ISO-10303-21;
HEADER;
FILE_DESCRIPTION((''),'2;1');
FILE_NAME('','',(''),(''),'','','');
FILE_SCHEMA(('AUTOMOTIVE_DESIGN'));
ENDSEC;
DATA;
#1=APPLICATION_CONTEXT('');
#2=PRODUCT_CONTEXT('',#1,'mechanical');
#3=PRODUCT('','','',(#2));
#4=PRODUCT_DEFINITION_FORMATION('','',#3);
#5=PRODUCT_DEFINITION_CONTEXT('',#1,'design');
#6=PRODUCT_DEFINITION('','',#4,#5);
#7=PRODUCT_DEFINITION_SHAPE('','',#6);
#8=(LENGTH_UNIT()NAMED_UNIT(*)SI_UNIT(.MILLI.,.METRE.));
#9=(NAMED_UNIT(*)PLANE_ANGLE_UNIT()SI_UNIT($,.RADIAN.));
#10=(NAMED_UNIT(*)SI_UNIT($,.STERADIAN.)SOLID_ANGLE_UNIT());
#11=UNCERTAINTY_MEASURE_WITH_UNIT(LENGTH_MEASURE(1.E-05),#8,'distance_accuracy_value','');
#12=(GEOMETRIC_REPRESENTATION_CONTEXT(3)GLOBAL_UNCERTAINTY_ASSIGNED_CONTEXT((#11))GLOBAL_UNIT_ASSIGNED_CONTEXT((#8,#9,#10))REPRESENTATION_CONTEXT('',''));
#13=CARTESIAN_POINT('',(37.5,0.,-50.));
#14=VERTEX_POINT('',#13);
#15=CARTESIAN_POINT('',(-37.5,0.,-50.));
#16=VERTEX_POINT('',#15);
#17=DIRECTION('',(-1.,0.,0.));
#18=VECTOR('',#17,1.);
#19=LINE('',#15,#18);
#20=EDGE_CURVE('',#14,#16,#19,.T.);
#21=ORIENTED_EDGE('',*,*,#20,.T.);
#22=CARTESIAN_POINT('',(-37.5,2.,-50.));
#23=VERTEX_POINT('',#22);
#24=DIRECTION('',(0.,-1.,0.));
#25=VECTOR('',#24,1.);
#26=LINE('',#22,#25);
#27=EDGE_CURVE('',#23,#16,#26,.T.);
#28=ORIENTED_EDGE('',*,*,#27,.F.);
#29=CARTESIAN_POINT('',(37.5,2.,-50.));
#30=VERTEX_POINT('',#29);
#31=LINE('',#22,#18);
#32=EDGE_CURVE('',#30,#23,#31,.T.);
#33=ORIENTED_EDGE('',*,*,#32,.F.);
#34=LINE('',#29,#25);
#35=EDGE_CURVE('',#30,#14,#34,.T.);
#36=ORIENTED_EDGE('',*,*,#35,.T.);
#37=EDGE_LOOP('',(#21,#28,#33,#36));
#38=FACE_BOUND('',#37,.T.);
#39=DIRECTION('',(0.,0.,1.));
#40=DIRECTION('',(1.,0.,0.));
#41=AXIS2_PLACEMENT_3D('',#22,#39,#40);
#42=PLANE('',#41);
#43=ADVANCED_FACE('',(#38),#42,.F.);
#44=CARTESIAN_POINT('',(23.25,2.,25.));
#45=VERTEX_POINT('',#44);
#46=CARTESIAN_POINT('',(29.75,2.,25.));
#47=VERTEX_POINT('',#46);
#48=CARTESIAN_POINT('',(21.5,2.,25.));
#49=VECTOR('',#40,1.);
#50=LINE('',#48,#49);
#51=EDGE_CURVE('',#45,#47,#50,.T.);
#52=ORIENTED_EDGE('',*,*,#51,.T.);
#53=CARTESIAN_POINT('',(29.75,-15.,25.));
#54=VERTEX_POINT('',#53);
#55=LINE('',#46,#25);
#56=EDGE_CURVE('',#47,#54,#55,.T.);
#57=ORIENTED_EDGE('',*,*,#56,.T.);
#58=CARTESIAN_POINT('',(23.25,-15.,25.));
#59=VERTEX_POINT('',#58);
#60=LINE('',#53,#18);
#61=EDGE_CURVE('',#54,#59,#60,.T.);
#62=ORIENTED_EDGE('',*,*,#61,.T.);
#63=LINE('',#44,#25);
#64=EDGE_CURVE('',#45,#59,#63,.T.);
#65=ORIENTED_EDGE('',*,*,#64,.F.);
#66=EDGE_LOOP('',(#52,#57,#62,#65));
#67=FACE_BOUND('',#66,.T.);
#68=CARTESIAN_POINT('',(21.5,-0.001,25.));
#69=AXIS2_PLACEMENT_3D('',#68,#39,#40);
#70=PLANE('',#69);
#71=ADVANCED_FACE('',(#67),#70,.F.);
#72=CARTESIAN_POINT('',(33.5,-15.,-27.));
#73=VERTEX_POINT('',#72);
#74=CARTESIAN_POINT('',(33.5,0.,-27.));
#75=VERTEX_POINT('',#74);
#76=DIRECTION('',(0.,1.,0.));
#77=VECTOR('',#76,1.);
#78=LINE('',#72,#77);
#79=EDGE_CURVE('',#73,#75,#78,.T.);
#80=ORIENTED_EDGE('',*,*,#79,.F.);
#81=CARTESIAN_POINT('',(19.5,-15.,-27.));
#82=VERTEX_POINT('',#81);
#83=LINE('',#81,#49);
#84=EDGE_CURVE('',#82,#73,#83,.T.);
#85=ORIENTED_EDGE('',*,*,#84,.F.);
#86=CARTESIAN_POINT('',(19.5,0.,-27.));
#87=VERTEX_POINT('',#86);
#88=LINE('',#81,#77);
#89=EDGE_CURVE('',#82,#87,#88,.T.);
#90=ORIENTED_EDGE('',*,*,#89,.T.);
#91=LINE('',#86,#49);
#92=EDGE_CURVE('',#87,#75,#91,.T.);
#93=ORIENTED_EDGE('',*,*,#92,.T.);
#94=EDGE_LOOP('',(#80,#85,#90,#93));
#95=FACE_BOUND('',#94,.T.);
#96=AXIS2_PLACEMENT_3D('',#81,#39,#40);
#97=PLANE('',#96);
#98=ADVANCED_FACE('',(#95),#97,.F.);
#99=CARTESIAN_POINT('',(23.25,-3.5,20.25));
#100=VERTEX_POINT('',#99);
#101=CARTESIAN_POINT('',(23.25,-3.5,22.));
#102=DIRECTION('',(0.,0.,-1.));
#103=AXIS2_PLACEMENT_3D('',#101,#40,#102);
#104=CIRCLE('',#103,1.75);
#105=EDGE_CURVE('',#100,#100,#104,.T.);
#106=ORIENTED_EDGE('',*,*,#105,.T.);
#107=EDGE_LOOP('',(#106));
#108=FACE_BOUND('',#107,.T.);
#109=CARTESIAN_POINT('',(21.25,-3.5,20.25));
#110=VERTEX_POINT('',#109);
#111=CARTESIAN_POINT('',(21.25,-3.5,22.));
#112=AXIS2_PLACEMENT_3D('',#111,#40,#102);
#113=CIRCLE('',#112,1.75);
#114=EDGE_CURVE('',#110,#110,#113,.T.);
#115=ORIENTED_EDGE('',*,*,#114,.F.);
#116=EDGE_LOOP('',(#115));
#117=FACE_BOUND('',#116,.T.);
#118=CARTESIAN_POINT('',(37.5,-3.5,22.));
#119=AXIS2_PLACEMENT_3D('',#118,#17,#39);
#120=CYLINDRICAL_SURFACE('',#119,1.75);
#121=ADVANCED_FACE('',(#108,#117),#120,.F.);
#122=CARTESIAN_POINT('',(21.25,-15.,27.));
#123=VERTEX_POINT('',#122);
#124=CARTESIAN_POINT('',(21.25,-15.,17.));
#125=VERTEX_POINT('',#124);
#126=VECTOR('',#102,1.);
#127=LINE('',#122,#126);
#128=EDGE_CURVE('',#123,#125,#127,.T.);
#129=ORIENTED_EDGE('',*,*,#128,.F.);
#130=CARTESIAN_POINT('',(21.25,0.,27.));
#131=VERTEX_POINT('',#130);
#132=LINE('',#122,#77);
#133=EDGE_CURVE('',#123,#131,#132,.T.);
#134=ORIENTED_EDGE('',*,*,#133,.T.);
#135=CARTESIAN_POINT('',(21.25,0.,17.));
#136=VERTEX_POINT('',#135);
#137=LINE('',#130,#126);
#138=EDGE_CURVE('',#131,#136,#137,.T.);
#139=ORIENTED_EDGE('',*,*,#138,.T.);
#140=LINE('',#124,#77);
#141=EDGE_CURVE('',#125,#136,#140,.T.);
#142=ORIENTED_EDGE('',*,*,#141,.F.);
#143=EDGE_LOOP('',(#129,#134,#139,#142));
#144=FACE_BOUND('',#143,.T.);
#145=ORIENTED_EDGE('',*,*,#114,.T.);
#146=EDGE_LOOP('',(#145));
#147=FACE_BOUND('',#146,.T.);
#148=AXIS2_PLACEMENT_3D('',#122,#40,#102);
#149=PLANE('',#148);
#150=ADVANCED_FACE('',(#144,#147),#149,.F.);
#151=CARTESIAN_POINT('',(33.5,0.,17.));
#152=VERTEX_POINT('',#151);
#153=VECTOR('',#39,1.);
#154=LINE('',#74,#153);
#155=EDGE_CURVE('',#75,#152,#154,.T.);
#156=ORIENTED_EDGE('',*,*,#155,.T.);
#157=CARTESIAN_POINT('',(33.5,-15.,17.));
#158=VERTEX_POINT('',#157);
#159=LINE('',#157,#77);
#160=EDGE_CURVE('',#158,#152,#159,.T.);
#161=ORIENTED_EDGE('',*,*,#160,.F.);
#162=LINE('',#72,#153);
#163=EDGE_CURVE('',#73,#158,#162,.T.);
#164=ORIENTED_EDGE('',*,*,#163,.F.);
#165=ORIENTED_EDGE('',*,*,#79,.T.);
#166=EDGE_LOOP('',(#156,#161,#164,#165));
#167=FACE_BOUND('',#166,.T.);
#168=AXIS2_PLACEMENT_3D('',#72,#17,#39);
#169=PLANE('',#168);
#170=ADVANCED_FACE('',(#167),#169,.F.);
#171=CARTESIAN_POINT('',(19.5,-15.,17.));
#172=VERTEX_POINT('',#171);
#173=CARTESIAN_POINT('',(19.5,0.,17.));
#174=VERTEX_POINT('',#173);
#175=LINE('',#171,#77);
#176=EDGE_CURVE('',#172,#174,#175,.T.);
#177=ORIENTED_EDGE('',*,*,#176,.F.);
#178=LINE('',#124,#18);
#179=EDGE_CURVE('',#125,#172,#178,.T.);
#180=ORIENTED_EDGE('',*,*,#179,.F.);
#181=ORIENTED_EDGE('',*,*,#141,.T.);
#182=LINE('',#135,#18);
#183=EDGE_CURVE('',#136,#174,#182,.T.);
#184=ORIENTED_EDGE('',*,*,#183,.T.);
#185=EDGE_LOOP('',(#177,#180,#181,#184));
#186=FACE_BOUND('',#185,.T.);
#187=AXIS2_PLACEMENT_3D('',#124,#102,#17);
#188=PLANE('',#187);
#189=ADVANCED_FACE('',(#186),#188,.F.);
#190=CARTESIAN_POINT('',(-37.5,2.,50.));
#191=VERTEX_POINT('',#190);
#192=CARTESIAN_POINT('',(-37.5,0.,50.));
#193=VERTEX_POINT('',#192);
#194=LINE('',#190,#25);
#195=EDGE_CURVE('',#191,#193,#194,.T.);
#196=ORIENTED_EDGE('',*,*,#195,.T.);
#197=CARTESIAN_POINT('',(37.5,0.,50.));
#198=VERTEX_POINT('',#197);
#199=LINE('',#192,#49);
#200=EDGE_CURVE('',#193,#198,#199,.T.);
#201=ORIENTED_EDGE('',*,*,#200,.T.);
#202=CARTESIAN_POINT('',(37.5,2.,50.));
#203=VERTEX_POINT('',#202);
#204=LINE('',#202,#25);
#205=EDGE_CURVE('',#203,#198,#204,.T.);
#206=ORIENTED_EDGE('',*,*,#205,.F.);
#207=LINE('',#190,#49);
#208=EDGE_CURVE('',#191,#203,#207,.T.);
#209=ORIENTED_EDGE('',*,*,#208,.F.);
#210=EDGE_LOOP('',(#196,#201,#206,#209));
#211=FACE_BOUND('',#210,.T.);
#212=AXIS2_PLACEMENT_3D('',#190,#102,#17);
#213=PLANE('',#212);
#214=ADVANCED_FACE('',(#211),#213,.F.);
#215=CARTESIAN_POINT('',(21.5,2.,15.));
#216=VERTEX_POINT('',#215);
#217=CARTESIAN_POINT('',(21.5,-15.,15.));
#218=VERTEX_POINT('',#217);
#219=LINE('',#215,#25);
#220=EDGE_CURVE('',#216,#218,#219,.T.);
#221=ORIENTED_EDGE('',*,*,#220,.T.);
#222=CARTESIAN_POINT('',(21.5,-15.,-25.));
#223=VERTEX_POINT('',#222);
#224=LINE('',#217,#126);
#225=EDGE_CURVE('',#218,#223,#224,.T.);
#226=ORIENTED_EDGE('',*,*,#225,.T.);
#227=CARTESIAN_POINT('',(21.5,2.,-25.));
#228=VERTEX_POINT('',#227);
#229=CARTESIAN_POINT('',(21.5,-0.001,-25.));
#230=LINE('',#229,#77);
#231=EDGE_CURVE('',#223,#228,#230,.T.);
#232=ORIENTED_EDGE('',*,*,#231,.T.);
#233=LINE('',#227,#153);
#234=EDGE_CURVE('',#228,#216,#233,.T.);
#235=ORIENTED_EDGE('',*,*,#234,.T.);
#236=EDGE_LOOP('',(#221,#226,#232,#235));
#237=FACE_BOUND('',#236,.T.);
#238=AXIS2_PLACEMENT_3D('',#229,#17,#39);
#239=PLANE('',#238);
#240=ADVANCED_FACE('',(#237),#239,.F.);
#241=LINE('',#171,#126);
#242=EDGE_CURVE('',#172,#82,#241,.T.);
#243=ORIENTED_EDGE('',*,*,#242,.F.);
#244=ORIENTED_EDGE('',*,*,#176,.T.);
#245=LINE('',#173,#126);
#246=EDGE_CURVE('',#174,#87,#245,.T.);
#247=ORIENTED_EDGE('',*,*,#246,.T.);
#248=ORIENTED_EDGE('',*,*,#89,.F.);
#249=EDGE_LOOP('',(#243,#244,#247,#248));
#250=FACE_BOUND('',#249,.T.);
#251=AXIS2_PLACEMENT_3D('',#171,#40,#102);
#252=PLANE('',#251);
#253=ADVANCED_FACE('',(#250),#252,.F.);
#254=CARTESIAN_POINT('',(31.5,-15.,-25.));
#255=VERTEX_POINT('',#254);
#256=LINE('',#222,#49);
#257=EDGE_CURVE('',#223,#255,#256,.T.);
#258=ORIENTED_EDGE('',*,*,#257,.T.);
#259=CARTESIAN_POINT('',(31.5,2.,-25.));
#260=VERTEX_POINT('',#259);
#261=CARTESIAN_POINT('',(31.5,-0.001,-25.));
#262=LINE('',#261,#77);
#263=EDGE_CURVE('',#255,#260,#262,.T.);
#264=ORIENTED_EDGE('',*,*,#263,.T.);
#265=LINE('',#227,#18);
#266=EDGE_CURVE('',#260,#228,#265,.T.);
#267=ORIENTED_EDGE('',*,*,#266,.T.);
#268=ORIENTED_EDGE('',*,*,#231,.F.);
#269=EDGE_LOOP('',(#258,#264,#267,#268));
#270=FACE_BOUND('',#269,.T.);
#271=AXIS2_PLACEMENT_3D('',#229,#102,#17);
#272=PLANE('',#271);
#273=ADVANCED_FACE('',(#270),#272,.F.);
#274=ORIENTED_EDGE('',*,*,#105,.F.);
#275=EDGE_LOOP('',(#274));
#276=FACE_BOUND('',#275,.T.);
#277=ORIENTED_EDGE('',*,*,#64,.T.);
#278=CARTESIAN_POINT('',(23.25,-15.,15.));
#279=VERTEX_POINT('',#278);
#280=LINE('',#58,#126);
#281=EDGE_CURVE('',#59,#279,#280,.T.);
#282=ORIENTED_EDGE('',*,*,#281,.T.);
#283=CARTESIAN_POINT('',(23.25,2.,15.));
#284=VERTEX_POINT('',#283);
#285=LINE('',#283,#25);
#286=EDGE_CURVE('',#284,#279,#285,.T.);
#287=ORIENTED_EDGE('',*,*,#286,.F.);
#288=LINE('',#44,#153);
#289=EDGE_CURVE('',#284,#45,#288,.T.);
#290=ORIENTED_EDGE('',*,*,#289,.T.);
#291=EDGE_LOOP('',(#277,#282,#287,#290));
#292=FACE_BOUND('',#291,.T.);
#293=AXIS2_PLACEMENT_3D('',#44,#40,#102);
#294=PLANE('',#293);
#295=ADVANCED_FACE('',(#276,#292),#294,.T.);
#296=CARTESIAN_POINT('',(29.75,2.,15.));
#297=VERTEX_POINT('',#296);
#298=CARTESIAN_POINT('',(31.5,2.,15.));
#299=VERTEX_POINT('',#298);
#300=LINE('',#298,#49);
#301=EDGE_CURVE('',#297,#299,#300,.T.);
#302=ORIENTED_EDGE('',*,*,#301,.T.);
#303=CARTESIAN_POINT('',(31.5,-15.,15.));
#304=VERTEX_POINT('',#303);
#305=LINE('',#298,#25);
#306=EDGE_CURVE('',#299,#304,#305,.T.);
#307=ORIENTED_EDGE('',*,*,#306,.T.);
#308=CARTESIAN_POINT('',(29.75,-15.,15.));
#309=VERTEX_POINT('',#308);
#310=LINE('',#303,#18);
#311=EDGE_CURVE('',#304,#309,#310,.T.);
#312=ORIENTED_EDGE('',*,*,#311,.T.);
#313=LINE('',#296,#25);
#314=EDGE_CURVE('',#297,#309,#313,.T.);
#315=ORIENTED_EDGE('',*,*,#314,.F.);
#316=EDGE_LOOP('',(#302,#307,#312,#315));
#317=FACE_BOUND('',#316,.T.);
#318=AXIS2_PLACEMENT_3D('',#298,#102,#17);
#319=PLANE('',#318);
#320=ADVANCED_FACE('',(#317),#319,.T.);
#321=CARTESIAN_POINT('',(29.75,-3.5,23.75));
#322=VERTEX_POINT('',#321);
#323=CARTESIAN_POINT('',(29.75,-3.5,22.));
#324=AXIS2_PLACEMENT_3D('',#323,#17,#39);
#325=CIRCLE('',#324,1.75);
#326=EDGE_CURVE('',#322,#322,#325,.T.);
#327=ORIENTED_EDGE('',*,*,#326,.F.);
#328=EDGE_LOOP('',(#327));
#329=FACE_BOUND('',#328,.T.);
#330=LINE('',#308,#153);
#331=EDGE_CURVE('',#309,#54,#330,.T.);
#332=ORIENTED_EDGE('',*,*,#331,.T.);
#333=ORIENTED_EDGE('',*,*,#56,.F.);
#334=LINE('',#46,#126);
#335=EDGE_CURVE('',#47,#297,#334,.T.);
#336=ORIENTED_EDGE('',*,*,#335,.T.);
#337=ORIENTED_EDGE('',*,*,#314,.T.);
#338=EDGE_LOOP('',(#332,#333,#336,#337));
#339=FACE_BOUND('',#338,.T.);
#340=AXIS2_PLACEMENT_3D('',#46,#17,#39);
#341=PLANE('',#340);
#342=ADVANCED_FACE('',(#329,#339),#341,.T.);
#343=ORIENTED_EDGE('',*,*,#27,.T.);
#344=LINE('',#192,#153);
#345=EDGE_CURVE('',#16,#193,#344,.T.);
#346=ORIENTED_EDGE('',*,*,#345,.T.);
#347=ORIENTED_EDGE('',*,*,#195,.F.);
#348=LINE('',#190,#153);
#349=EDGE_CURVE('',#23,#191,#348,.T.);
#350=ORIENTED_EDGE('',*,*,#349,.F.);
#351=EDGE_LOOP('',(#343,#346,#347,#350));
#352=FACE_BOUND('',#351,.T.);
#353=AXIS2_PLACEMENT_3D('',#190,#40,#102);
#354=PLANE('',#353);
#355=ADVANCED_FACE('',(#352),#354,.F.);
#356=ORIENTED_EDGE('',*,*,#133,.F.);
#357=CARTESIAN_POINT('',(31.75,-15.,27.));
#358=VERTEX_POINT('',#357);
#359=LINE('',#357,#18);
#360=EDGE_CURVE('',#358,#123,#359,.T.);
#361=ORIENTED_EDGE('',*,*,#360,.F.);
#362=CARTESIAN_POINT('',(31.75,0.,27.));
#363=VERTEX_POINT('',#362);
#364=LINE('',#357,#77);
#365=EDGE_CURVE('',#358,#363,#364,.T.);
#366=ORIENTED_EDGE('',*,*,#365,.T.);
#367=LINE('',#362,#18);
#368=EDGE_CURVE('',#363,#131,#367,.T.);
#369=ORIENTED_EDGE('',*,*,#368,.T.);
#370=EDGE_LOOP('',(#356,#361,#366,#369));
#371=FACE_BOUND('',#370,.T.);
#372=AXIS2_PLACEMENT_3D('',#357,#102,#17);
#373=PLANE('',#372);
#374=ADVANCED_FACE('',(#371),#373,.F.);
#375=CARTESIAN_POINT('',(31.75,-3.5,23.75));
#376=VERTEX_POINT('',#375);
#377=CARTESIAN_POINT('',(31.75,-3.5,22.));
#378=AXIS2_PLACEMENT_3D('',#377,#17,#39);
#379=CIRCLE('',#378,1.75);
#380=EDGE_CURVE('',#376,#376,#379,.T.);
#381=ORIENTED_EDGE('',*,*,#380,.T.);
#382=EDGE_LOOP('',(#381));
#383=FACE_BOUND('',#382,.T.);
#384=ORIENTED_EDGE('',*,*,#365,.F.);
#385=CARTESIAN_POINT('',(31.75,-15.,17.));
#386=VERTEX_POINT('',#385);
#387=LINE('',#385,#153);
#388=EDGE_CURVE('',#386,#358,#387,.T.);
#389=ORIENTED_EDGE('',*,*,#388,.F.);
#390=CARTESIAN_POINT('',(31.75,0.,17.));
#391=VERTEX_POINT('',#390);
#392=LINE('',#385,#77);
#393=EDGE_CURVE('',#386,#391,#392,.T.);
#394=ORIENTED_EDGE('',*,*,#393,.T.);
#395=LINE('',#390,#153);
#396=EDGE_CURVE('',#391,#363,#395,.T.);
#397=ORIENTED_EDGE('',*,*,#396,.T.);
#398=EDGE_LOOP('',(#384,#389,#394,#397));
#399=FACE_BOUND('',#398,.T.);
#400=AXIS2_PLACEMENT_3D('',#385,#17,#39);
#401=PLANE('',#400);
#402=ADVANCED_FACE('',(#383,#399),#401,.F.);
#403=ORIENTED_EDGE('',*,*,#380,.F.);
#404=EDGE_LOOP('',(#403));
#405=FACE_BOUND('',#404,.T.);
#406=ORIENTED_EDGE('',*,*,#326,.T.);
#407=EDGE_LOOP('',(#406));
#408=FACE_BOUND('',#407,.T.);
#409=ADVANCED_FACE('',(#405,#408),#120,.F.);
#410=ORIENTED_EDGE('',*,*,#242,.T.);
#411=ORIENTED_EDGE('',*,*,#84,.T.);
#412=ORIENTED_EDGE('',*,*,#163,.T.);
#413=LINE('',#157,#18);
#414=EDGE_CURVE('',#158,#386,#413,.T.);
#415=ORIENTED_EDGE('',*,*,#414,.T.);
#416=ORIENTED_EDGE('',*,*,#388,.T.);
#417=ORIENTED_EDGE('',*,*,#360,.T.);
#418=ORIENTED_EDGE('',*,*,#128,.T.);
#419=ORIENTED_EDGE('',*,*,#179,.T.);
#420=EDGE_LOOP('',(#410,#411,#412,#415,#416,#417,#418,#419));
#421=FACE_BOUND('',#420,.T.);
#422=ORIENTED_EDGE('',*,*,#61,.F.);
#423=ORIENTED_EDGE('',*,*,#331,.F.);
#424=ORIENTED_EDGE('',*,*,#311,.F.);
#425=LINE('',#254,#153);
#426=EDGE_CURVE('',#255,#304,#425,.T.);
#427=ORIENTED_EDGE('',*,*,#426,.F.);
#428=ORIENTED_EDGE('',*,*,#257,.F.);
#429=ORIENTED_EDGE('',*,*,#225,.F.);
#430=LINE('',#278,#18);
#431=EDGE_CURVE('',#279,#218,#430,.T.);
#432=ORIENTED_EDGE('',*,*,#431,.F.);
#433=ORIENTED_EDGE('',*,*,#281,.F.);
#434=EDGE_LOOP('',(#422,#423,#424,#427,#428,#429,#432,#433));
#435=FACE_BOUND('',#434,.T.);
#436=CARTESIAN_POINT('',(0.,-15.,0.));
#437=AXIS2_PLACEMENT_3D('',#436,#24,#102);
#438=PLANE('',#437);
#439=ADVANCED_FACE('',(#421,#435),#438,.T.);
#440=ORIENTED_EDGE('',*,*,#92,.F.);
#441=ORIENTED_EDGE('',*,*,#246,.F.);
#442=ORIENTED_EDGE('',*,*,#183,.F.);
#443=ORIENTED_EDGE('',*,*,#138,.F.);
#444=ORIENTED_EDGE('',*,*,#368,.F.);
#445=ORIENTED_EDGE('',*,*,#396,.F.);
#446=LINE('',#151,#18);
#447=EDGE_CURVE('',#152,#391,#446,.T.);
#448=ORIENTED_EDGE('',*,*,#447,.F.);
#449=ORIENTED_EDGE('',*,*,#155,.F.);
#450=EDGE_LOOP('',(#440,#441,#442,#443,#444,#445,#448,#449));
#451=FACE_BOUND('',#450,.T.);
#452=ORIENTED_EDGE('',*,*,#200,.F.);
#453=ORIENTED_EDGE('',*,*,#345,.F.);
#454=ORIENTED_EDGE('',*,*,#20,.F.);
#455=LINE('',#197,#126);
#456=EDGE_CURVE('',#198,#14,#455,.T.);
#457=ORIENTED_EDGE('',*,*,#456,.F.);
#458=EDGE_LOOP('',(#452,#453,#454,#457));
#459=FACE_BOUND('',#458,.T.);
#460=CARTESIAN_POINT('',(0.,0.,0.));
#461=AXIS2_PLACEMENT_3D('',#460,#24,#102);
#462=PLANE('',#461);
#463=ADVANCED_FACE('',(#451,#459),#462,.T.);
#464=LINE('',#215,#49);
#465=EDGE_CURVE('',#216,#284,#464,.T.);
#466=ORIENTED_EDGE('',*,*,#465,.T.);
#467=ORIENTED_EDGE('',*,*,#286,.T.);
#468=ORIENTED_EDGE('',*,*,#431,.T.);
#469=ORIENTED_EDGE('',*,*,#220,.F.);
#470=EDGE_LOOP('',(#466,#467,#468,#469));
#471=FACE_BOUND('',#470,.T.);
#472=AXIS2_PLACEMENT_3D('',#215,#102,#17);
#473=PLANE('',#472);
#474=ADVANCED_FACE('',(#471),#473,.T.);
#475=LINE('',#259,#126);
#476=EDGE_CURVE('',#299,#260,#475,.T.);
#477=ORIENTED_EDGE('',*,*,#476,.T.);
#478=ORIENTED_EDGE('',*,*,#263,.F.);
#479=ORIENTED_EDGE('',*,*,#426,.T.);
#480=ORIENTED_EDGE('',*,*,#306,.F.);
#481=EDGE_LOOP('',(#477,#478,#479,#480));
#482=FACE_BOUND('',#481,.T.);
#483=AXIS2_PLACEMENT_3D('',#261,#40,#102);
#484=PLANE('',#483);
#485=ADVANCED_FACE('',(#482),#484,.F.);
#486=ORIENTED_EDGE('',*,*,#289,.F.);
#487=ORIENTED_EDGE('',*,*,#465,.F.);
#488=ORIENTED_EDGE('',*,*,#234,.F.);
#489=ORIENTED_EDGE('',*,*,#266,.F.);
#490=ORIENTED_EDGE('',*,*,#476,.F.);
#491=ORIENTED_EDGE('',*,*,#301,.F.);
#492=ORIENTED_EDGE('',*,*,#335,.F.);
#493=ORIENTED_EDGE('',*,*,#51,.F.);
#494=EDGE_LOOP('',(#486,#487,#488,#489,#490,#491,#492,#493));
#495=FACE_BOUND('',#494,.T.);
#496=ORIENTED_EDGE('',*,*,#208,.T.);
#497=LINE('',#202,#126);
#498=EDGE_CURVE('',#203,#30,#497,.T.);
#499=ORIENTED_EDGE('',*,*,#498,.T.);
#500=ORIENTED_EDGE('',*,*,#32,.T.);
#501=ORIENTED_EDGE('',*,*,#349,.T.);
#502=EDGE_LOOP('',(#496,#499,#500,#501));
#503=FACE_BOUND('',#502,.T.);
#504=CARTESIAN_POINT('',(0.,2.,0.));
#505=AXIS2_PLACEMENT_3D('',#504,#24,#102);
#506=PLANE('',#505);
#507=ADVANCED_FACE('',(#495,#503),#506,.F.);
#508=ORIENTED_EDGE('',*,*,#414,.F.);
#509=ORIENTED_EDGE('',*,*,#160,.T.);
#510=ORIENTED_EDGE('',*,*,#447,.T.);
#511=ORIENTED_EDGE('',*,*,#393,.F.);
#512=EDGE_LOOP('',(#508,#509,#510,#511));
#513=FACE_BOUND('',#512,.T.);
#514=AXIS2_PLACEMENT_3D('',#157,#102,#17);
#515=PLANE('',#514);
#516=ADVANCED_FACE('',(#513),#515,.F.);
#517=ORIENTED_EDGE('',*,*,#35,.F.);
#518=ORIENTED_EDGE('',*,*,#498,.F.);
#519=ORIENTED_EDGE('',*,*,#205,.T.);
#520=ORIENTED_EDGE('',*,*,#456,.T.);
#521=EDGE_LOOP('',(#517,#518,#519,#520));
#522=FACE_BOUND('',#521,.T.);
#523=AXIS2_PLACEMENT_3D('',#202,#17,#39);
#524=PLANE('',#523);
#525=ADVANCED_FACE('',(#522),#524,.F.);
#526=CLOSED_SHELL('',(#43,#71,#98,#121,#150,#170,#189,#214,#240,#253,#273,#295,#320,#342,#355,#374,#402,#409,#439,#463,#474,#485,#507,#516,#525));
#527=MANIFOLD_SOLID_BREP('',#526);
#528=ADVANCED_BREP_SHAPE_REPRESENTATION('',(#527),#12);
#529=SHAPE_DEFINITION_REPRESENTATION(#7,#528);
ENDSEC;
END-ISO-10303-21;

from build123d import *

# Parameters (mm, degrees)
SKETCH1_W               = 75
SKETCH1_H               = 100
BOSS_EXTRUDE1_DEPTH     = 2
CUT_EXTRUDE1_REACH      = 4
SKETCH2_W               = 10
SKETCH2_H               = 50
SKETCH3_W               = 1.75
SKETCH3_H               = 10
BOSS_EXTRUDE2_DEPTH     = 2
BOSS_EXTRUDE3_DEPTH     = 15
SKETCH5_R               = 1.75
CUT_EXTRUDE2_DEPTH      = 65
CUT_EXTRUDE2_DEPTH_BACK = 12


with BuildPart() as part:
    # Sketch1 → Boss-Extrude1 (new body)
    with BuildSketch(Plane(origin=(0, 0, 0), x_dir=(1, 0, 0), z_dir=(0, 1, 0))):
        Rectangle(SKETCH1_W, SKETCH1_H)
    extrude(amount=BOSS_EXTRUDE1_DEPTH)

    # Sketch2 → Cut-Extrude1 (cut, up to next)
    with BuildSketch(Plane(origin=(0, 2, 0), x_dir=(1, 0, 0), z_dir=(0, 1, 0)), mode=Mode.PRIVATE) as cut_extrude1_sk1:
        with Locations((26.5, 0)):
            Rectangle(SKETCH2_W, SKETCH2_H)
    cut_extrude1_tool1 = extrude(cut_extrude1_sk1.sketch, amount=-CUT_EXTRUDE1_REACH, mode=Mode.PRIVATE) & part.part
    add(cut_extrude1_tool1.solids().sort_by_distance((26.5, 2, 0))[0], mode=Mode.SUBTRACT)

    # Sketch3 → Boss-Extrude2 (add)
    with BuildSketch(Plane.XZ):
        with Locations((22.375, 20)):
            Rectangle(SKETCH3_W, SKETCH3_H)
        with Locations((30.625, 20)):
            Rectangle(SKETCH3_W, SKETCH3_H)
    extrude(amount=-BOSS_EXTRUDE2_DEPTH)

    # Sketch4 → Boss-Extrude3 (add)
    with BuildSketch(Plane.XZ):
        Polygon((33.5, 17), (31.75, 17), (31.75, 27), (21.25, 27), (21.25, 17), (19.5, 17), (19.5, -27), (33.5, -27), align=None)
        Polygon((31.5, 15), (29.75, 15), (29.75, 25), (23.25, 25), (23.25, 15), (21.5, 15), (21.5, -25), (31.5, -25), align=None, mode=Mode.SUBTRACT)
    extrude(amount=BOSS_EXTRUDE3_DEPTH)

    # Sketch5 → Cut-Extrude2 (cut, two sides)
    with BuildSketch(Plane.ZY.offset(-26.5)) as cut_extrude2_sk:
        with Locations((22, -3.5)):
            Circle(SKETCH5_R)
    extrude(amount=CUT_EXTRUDE2_DEPTH, mode=Mode.SUBTRACT)
    extrude(cut_extrude2_sk.sketch, amount=-CUT_EXTRUDE2_DEPTH_BACK, mode=Mode.SUBTRACT)


solid = part.part
